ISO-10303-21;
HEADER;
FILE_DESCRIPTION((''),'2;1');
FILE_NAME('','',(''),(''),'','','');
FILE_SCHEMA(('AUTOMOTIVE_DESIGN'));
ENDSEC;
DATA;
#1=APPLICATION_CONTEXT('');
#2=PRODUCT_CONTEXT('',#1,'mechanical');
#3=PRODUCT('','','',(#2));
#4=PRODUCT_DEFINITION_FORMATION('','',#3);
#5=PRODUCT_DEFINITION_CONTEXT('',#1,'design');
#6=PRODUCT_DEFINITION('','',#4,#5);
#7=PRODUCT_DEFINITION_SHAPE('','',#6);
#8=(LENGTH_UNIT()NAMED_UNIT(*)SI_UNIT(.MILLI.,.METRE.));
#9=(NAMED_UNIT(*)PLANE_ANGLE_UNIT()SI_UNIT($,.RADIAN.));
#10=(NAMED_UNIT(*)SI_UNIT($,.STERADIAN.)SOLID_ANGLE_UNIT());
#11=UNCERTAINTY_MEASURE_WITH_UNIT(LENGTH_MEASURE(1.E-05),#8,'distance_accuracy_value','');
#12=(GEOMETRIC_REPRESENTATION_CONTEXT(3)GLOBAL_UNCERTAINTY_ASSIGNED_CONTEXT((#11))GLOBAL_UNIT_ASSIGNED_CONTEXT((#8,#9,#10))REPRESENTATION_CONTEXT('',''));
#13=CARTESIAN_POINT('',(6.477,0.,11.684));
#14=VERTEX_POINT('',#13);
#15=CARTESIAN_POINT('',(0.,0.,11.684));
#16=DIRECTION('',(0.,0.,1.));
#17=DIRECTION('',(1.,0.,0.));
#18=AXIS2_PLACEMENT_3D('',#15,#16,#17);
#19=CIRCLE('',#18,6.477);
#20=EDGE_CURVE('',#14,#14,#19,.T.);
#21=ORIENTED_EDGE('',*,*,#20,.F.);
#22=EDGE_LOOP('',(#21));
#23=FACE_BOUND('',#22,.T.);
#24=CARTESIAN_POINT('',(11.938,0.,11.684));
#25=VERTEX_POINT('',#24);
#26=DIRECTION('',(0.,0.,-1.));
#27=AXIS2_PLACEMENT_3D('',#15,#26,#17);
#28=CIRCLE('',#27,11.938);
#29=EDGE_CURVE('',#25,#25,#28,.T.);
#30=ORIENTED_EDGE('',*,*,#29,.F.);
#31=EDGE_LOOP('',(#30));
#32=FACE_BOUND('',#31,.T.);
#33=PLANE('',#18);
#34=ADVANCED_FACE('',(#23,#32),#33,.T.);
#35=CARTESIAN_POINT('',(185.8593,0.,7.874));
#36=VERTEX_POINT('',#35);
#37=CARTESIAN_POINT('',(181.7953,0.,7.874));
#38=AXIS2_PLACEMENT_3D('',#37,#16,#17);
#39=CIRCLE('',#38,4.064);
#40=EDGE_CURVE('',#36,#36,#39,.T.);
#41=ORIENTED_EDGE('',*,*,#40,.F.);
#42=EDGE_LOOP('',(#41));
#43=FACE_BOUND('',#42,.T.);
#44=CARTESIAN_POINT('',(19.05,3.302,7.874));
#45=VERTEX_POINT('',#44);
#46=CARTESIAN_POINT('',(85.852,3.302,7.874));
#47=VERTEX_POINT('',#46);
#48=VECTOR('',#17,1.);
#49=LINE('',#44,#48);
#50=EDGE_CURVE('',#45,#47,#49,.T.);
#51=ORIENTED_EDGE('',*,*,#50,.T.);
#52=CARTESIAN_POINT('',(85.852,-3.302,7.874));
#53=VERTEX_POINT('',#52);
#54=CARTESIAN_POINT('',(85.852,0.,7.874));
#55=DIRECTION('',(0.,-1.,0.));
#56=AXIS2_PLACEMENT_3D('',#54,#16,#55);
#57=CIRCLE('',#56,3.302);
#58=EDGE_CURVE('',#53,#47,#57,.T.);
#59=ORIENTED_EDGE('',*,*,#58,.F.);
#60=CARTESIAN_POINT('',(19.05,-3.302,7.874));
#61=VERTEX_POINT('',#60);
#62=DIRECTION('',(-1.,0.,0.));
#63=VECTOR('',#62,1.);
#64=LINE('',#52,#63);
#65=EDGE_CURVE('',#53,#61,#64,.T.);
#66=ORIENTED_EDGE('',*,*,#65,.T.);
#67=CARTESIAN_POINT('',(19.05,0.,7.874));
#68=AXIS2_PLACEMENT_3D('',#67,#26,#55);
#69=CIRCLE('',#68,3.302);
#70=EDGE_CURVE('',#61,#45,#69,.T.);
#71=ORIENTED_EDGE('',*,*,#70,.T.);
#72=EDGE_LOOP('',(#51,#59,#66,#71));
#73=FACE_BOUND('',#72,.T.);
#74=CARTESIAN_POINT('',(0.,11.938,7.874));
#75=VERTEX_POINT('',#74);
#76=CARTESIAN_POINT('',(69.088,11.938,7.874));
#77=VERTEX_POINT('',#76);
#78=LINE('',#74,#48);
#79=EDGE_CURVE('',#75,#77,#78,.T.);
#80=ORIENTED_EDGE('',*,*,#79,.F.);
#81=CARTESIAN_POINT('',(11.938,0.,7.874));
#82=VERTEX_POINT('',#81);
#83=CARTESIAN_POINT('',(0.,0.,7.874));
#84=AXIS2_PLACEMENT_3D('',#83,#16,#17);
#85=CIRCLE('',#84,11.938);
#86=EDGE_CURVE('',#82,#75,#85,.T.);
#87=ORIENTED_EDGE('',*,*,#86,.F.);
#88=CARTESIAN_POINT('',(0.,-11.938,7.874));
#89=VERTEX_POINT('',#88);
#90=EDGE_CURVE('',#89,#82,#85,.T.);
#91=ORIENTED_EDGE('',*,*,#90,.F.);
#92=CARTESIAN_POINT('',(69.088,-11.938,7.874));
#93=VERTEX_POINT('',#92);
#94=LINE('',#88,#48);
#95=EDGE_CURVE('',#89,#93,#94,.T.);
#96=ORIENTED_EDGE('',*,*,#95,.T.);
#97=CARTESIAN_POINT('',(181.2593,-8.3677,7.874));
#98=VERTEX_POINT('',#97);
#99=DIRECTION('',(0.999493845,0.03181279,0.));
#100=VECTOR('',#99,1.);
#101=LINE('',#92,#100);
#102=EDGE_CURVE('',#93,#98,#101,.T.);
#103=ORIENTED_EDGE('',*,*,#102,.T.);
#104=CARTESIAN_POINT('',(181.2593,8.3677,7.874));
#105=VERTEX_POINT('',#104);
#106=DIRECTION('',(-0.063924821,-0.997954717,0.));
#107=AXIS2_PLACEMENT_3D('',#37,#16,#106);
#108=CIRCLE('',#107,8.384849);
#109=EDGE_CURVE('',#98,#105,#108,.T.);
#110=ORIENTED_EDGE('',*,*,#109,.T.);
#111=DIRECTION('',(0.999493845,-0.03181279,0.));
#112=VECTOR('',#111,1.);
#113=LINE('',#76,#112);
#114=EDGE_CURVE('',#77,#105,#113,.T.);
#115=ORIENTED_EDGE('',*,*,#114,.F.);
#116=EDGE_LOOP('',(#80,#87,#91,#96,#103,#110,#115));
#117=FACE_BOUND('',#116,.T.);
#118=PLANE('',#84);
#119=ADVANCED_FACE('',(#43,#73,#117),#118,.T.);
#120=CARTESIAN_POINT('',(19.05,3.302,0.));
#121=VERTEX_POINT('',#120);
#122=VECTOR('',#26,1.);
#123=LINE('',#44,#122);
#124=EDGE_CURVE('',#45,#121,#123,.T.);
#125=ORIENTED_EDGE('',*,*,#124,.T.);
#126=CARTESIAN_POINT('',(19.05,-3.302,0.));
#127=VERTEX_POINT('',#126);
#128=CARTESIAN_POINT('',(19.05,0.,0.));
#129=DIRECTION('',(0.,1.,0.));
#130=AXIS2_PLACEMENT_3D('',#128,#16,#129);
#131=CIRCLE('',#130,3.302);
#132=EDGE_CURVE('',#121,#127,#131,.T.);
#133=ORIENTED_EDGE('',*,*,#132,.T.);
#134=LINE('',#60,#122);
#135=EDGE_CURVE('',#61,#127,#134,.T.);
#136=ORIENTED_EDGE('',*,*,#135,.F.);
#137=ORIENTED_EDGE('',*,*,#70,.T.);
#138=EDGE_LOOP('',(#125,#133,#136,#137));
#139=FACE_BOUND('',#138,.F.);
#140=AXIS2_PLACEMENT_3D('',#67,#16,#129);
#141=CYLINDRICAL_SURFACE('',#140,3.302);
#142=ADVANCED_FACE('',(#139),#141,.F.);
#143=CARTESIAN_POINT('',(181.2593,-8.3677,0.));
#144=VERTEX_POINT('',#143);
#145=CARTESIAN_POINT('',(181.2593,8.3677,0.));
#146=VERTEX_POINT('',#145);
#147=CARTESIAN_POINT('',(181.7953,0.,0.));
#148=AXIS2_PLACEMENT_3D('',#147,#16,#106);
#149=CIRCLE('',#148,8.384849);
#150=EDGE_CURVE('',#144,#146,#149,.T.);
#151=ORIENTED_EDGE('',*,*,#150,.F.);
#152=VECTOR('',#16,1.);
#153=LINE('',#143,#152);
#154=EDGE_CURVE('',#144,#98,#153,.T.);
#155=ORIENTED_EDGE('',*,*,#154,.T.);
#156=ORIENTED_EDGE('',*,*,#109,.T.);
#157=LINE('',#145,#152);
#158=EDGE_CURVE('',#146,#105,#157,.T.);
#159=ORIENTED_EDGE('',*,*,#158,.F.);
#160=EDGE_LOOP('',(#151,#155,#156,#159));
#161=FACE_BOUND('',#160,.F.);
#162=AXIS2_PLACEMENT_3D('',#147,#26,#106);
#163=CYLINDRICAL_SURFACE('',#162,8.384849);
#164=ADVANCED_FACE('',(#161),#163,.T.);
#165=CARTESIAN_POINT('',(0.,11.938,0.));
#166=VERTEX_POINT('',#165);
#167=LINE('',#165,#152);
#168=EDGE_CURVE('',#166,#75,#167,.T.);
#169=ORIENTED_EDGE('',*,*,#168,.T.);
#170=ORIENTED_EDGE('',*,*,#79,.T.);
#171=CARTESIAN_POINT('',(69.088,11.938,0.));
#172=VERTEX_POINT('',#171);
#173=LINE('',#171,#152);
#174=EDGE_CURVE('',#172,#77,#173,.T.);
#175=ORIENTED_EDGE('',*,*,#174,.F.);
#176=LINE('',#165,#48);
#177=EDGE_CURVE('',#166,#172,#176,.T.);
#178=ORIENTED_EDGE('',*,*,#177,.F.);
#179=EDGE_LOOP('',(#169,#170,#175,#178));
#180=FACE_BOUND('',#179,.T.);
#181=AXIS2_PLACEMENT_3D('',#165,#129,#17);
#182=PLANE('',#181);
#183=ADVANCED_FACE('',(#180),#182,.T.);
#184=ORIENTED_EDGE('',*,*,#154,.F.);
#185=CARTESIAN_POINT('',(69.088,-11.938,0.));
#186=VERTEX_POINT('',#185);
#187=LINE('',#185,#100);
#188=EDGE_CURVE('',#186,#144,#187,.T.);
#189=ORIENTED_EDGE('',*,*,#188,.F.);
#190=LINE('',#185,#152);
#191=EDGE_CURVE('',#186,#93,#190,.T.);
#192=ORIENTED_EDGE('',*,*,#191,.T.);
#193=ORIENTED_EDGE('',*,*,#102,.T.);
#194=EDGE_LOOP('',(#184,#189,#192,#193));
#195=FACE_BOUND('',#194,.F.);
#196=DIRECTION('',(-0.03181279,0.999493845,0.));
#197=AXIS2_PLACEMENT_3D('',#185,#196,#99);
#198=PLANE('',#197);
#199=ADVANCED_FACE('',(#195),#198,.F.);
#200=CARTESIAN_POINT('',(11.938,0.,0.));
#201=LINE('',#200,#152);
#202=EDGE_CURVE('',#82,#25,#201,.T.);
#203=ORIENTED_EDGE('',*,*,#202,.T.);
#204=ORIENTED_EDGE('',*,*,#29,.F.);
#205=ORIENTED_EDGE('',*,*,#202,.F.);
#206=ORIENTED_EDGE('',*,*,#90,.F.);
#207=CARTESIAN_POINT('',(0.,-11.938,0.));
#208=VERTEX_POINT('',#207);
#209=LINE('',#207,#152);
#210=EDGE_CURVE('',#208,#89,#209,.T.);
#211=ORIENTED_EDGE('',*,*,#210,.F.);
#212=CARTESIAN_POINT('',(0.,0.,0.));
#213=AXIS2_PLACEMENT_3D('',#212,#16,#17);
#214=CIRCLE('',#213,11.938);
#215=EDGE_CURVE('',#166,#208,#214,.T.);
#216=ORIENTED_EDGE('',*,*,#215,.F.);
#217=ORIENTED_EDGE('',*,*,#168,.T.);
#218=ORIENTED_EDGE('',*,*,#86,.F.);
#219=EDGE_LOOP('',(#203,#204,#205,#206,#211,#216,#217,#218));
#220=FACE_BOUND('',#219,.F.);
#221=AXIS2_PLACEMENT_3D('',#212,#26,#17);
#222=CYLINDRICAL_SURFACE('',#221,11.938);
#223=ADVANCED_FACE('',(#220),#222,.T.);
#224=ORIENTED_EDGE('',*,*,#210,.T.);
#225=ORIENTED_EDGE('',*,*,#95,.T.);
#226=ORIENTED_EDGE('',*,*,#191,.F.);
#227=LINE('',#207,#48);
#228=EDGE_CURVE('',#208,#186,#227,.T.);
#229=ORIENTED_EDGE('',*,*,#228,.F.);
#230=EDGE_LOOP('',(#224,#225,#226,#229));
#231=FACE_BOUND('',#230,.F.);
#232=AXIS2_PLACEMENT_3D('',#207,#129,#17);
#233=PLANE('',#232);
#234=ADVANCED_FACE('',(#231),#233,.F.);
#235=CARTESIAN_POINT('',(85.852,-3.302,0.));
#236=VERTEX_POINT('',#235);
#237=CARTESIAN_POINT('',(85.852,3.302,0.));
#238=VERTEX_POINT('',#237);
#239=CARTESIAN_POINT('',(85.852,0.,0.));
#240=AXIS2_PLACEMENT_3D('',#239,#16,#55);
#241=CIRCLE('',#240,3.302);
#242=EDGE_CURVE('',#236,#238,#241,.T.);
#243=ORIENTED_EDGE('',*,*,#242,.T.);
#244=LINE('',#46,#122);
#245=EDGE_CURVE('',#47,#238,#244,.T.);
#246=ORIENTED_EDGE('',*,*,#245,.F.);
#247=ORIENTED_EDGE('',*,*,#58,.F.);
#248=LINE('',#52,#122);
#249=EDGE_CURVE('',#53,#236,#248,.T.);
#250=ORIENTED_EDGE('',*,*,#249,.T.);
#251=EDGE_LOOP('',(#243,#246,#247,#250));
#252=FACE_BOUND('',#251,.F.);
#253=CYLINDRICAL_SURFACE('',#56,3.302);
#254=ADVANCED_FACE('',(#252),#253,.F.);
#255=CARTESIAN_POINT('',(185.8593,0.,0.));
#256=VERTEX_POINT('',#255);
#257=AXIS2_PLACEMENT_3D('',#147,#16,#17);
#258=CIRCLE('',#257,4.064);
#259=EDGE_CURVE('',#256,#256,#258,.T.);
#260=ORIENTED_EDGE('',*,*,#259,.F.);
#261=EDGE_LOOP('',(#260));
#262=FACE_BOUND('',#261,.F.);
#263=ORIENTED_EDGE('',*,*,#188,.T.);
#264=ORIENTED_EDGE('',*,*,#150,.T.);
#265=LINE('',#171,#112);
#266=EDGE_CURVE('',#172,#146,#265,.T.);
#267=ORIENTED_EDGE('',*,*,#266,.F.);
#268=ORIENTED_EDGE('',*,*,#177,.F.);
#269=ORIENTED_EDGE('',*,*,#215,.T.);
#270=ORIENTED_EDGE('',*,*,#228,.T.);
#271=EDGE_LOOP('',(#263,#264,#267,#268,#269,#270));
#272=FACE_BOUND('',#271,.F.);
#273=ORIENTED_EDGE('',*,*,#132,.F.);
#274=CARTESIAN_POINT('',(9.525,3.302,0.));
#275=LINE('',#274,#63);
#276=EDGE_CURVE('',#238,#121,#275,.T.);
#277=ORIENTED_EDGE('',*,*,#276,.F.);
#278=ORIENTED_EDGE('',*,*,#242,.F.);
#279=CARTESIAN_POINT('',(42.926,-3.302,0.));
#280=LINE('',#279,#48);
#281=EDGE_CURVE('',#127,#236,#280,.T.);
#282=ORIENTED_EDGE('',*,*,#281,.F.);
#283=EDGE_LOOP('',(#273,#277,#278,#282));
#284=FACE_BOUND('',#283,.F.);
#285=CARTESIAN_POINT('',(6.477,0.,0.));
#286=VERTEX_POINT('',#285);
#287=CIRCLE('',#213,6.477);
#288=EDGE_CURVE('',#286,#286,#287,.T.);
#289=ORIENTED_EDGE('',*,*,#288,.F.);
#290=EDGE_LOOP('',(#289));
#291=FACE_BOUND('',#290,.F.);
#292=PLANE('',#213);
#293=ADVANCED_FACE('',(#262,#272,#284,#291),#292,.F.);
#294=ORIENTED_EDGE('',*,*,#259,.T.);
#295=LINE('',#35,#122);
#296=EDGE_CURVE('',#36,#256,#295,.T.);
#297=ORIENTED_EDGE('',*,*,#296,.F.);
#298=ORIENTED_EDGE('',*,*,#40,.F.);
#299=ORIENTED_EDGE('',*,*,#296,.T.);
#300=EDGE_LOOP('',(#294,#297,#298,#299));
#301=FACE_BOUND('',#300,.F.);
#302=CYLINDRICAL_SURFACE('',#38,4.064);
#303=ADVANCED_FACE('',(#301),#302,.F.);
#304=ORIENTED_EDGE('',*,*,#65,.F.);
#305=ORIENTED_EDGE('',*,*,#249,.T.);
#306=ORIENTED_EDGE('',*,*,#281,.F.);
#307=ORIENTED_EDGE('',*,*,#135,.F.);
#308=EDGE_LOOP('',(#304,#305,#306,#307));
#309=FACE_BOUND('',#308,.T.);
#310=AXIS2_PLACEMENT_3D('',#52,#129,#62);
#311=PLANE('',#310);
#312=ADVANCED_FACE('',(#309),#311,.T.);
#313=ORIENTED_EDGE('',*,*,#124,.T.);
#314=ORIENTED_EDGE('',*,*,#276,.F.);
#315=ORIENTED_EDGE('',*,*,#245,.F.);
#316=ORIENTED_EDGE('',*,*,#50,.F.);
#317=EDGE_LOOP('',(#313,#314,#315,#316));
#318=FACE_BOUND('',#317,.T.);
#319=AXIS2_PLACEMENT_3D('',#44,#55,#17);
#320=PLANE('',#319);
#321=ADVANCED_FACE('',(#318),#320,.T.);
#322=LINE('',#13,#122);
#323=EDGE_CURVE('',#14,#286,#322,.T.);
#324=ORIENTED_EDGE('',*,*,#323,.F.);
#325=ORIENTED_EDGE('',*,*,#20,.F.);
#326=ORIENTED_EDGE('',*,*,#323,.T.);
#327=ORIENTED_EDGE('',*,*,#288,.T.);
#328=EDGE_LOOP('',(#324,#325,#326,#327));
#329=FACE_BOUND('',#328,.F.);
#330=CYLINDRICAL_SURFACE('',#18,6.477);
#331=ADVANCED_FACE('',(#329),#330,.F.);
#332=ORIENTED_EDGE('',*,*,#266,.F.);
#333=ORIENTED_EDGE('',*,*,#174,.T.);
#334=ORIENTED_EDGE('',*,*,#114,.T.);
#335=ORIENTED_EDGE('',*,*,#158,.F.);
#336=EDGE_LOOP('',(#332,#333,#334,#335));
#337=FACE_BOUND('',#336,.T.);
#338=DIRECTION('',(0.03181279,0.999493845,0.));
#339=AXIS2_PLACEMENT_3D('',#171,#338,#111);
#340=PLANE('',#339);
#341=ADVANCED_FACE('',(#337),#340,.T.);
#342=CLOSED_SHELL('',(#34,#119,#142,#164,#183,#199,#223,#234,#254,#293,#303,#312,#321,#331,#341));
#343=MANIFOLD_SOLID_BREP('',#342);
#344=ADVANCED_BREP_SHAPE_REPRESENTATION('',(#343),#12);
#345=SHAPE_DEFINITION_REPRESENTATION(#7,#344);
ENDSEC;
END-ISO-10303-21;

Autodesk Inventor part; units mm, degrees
ref_plane "YZ Plane" through (0, 0, 0) normal (1, 0, 0) x (0, 1, 0)
ref_plane "XZ Plane" through (0, 0, 0) normal (0, 1, 0) x (-1, 0, 0)
sketch "Sketch1" plane through (0, 0, 0) normal (0, 0, 1) x (1, 0, 0)
  circle A0 centre (0, 0) radius 11.938
  line L0 (0, -11.938) -> (69.088, -11.938)
  line L1 (0, 11.938) -> (69.088, 11.938)
  line L2 (69.088, 11.938) -> (182.0608, 8.3422)
  line L3 (69.088, -11.938) -> (182.0608, -8.3422)
  arc A1 (181.2593, -8.3677) -> (181.2593, 8.3677) centre (181.7953, 0) ccw
  dimension "d0" = 23.876
extrude "Extrusion1" add sketch "Sketch1" along normal blind 11.684 contours A0
extrude "Extrusion2" add sketch "Sketch1" along normal blind 7.874 contours A0 L1 L2 A1 L3 L0
sketch "Sketch2" plane through (0, 0, 7.874) normal (0, 0, 1) x (1, 0, 0)
  line L0 (181.2593, 8.3677) -> (69.088, 11.938) projected
  arc A0 (181.2593, -8.3677) -> (181.2593, 8.3677) centre (181.7953, 0) ccw projected
  line L1 (69.088, -11.938) -> (181.2593, -8.3677) projected
  line L2 (69.088, 11.938) -> (0, 11.938) projected
  line L3 (0, -11.938) -> (69.088, -11.938) projected
  line L4 (69.088, -11.938) -> (181.2593, -8.3677) projected
  arc A1 (181.2593, -8.3677) -> (181.2593, 8.3677) centre (181.7953, 0) ccw projected
  line L5 (181.2593, 8.3677) -> (69.088, 11.938) projected
  line L6 (69.088, 11.938) -> (0, 11.938) projected
  arc A2 (0, -11.938) -> (0, 11.938) centre (0, 0) ccw projected
  circle A3 centre (181.7953, 0) radius 4.064
  line L7 (0, 0) -> (15.748, 0) construction
  line L8 (15.748, 0) -> (19.05, 0)
  arc A4 (19.05, 3.302) -> (19.05, -3.302) centre (19.05, 0) ccw
  line L9 (19.05, 3.302) -> (85.852, 3.302)
  arc A5 (85.852, -3.302) -> (85.852, 3.302) centre (85.852, 0) ccw
  line L10 (85.852, -3.302) -> (19.05, -3.302)
  dimension "d7" = 8.128
  dimension "d8" = 15.748
  dimension "d10" = 3.302
  dimension "d11" = 66.802
extrude "Extrusion3" cut sketch "Sketch2" against normal up to next contours A3 | L9 A5 L10 A4
sketch "Sketch3" plane through (0, 0, 11.684) normal (0, 0, 1) x (1, 0, 0)
  circle A0 centre (0, 0) radius 6.477
  dimension "d14" = 12.954
extrude "Extrusion4" cut sketch "Sketch3" against normal up to next
ref_plane "Work Plane1" through (0, 0, 3.937) normal (0, 0, 1) x (1, 0, 0)
properties part number "lever"
